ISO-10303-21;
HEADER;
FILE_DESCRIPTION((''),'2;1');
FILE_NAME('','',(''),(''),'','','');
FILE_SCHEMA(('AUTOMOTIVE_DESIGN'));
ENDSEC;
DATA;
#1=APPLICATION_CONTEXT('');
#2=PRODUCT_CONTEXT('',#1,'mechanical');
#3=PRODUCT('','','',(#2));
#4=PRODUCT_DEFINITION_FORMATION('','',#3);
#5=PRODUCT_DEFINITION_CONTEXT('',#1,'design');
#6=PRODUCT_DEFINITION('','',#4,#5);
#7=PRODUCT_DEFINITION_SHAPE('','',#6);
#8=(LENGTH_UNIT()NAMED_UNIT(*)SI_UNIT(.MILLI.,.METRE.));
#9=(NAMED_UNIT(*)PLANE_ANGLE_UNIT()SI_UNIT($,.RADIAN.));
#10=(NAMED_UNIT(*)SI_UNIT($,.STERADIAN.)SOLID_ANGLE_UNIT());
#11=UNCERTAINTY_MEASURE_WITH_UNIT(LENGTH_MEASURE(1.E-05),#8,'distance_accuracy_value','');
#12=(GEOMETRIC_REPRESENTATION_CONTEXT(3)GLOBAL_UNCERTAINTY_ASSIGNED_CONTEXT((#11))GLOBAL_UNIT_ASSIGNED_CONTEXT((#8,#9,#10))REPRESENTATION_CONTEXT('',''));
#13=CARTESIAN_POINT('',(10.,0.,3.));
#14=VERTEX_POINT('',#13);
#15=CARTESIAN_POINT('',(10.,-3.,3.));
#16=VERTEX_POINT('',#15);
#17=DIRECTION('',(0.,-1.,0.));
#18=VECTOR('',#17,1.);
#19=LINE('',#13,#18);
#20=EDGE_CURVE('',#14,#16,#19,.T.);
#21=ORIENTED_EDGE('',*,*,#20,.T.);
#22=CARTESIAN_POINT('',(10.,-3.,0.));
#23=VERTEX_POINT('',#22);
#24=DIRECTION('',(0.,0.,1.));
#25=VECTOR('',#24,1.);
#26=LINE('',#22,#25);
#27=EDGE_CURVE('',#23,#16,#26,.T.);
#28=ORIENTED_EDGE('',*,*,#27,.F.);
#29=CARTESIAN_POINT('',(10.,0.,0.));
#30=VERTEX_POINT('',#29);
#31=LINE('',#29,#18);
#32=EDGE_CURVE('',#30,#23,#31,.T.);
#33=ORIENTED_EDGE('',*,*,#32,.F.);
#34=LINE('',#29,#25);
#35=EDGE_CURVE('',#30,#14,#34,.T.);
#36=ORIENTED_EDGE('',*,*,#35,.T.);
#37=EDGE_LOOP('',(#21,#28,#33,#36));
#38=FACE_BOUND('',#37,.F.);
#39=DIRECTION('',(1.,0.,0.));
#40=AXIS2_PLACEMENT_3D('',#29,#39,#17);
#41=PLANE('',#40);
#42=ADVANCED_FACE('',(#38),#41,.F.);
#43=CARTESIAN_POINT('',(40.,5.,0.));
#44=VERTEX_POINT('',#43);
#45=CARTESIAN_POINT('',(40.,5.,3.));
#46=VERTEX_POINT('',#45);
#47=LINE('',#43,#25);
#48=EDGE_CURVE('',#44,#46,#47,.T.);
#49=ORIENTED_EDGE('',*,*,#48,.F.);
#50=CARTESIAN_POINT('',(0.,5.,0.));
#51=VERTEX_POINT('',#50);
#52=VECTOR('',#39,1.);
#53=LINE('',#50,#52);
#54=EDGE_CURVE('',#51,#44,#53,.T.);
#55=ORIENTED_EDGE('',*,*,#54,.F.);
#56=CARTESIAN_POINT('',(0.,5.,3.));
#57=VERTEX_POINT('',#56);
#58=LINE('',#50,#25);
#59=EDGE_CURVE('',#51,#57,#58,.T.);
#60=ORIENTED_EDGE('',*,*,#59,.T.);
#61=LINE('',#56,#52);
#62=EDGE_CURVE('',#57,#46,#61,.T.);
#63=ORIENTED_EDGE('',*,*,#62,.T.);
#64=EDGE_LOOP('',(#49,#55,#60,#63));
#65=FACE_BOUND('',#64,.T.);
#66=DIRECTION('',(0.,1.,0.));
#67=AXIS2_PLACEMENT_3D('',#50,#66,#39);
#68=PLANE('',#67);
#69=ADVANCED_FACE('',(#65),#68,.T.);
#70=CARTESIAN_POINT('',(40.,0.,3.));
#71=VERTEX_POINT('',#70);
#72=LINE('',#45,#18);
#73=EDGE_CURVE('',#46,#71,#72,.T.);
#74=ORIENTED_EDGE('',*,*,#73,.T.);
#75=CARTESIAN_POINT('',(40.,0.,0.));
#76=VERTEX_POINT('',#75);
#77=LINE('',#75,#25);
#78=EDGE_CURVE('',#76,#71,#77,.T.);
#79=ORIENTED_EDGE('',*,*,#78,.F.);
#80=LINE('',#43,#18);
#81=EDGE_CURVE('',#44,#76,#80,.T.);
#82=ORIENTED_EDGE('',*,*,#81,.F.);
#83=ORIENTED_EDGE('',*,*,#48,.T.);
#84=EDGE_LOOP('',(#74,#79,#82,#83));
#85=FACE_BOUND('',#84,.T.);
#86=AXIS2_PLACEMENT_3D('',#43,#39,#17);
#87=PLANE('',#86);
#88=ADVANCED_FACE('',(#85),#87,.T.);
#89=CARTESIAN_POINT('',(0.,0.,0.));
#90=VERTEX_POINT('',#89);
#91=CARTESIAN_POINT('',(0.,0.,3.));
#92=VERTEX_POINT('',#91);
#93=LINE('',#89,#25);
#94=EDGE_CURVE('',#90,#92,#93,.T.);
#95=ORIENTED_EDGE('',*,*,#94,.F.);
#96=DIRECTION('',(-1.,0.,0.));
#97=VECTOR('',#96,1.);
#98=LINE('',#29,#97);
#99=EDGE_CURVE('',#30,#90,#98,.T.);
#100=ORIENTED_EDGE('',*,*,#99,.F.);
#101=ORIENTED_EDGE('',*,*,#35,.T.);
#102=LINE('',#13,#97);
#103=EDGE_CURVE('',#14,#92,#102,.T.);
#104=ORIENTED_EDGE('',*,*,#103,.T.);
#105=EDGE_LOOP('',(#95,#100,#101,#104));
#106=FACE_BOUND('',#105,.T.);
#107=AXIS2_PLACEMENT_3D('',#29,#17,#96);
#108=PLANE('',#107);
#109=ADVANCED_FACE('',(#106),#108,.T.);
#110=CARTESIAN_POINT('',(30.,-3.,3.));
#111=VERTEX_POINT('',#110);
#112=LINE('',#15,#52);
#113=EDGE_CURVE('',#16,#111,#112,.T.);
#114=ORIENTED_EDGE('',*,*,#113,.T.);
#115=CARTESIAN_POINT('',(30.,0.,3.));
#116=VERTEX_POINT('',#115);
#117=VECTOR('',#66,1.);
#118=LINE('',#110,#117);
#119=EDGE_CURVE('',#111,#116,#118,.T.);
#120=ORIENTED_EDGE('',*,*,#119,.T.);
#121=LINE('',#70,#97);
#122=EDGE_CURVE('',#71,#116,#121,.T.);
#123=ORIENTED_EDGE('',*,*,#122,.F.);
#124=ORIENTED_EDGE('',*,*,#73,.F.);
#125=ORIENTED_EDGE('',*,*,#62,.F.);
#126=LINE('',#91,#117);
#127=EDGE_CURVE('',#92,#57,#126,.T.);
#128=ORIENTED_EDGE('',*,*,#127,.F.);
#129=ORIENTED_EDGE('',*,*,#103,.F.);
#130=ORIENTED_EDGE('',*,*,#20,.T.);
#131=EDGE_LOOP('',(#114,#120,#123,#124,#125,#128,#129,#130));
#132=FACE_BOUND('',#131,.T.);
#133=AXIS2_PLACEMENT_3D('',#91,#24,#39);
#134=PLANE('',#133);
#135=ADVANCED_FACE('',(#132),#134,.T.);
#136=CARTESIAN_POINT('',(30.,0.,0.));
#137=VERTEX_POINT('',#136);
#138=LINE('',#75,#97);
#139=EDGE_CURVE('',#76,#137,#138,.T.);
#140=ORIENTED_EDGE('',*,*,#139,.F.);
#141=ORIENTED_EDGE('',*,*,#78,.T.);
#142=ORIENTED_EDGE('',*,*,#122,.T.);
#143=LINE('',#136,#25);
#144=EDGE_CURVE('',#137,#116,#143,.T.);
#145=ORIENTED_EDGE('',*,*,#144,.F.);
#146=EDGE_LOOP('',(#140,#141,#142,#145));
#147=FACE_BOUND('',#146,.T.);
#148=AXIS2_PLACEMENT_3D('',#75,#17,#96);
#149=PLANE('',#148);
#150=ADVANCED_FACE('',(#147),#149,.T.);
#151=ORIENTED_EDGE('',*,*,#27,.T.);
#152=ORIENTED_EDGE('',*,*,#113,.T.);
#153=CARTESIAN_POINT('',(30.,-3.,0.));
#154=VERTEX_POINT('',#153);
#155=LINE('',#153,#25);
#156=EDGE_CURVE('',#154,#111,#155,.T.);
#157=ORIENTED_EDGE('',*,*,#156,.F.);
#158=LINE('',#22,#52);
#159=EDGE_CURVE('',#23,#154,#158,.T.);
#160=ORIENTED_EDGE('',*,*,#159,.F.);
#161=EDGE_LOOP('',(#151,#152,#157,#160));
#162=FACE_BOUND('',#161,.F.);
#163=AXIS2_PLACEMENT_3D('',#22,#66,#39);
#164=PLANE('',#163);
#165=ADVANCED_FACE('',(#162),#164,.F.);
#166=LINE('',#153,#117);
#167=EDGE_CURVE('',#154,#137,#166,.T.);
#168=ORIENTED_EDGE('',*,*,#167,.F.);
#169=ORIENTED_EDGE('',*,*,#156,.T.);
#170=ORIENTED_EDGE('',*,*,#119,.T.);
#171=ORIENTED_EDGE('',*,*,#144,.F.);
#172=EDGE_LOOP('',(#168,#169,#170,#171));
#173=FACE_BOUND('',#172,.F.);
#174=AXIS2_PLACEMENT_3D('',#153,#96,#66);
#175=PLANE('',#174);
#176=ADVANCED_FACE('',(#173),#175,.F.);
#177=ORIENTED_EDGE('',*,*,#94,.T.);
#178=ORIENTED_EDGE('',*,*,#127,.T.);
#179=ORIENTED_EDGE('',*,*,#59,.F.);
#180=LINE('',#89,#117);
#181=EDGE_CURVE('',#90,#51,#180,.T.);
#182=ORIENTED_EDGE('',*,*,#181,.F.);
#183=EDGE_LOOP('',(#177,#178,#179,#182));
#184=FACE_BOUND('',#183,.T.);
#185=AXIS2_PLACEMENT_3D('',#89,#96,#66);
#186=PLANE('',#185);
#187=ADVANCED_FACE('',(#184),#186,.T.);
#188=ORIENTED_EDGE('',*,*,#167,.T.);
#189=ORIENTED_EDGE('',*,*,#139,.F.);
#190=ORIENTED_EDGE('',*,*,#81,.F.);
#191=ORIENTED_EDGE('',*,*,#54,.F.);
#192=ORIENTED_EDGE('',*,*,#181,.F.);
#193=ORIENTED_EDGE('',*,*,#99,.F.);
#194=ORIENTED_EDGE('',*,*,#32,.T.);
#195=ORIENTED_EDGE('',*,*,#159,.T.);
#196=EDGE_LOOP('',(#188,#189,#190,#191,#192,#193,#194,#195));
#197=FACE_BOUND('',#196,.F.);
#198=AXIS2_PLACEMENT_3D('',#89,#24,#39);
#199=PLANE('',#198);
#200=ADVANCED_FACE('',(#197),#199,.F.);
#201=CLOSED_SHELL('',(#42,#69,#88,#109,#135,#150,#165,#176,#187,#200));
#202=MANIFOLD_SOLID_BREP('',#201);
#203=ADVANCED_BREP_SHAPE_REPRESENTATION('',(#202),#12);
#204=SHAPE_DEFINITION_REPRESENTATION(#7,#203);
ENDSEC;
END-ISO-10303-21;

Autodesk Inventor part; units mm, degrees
ref_plane "YZ Plane" through (0, 0, 0) normal (1, 0, 0) x (0, 1, 0)
ref_plane "XZ Plane" through (0, 0, 0) normal (0, 1, 0) x (-1, 0, 0)
ref_plane "XY Plane" through (0, 0, 0) normal (0, 0, 1) x (1, 0, 0)
sketch "Boceto1" plane through (0, 0, 0) normal (0, 0, 1) x (1, 0, 0)
  line L0 (0, 5) -> (40, 5)
  line L1 (40, 5) -> (40, 0)
  line L2 (0, 0) -> (0, 5)
  line L3 (10, 0) -> (10, -3)
  line L4 (10, -3) -> (30, -3)
  line L5 (30, -3) -> (30, 0)
  line L6 (40, 0) -> (30, 0)
  line L7 (10, 0) -> (0, 0)
  dimension "d2" = 40
  dimension "d4" = 20
  dimension "d6" = 3
  dimension "d7" = 5
  dimension "d8" = 10
extrude "Extrusión1" add sketch "Boceto1" along normal blind 3
properties part number "Celda riel"
